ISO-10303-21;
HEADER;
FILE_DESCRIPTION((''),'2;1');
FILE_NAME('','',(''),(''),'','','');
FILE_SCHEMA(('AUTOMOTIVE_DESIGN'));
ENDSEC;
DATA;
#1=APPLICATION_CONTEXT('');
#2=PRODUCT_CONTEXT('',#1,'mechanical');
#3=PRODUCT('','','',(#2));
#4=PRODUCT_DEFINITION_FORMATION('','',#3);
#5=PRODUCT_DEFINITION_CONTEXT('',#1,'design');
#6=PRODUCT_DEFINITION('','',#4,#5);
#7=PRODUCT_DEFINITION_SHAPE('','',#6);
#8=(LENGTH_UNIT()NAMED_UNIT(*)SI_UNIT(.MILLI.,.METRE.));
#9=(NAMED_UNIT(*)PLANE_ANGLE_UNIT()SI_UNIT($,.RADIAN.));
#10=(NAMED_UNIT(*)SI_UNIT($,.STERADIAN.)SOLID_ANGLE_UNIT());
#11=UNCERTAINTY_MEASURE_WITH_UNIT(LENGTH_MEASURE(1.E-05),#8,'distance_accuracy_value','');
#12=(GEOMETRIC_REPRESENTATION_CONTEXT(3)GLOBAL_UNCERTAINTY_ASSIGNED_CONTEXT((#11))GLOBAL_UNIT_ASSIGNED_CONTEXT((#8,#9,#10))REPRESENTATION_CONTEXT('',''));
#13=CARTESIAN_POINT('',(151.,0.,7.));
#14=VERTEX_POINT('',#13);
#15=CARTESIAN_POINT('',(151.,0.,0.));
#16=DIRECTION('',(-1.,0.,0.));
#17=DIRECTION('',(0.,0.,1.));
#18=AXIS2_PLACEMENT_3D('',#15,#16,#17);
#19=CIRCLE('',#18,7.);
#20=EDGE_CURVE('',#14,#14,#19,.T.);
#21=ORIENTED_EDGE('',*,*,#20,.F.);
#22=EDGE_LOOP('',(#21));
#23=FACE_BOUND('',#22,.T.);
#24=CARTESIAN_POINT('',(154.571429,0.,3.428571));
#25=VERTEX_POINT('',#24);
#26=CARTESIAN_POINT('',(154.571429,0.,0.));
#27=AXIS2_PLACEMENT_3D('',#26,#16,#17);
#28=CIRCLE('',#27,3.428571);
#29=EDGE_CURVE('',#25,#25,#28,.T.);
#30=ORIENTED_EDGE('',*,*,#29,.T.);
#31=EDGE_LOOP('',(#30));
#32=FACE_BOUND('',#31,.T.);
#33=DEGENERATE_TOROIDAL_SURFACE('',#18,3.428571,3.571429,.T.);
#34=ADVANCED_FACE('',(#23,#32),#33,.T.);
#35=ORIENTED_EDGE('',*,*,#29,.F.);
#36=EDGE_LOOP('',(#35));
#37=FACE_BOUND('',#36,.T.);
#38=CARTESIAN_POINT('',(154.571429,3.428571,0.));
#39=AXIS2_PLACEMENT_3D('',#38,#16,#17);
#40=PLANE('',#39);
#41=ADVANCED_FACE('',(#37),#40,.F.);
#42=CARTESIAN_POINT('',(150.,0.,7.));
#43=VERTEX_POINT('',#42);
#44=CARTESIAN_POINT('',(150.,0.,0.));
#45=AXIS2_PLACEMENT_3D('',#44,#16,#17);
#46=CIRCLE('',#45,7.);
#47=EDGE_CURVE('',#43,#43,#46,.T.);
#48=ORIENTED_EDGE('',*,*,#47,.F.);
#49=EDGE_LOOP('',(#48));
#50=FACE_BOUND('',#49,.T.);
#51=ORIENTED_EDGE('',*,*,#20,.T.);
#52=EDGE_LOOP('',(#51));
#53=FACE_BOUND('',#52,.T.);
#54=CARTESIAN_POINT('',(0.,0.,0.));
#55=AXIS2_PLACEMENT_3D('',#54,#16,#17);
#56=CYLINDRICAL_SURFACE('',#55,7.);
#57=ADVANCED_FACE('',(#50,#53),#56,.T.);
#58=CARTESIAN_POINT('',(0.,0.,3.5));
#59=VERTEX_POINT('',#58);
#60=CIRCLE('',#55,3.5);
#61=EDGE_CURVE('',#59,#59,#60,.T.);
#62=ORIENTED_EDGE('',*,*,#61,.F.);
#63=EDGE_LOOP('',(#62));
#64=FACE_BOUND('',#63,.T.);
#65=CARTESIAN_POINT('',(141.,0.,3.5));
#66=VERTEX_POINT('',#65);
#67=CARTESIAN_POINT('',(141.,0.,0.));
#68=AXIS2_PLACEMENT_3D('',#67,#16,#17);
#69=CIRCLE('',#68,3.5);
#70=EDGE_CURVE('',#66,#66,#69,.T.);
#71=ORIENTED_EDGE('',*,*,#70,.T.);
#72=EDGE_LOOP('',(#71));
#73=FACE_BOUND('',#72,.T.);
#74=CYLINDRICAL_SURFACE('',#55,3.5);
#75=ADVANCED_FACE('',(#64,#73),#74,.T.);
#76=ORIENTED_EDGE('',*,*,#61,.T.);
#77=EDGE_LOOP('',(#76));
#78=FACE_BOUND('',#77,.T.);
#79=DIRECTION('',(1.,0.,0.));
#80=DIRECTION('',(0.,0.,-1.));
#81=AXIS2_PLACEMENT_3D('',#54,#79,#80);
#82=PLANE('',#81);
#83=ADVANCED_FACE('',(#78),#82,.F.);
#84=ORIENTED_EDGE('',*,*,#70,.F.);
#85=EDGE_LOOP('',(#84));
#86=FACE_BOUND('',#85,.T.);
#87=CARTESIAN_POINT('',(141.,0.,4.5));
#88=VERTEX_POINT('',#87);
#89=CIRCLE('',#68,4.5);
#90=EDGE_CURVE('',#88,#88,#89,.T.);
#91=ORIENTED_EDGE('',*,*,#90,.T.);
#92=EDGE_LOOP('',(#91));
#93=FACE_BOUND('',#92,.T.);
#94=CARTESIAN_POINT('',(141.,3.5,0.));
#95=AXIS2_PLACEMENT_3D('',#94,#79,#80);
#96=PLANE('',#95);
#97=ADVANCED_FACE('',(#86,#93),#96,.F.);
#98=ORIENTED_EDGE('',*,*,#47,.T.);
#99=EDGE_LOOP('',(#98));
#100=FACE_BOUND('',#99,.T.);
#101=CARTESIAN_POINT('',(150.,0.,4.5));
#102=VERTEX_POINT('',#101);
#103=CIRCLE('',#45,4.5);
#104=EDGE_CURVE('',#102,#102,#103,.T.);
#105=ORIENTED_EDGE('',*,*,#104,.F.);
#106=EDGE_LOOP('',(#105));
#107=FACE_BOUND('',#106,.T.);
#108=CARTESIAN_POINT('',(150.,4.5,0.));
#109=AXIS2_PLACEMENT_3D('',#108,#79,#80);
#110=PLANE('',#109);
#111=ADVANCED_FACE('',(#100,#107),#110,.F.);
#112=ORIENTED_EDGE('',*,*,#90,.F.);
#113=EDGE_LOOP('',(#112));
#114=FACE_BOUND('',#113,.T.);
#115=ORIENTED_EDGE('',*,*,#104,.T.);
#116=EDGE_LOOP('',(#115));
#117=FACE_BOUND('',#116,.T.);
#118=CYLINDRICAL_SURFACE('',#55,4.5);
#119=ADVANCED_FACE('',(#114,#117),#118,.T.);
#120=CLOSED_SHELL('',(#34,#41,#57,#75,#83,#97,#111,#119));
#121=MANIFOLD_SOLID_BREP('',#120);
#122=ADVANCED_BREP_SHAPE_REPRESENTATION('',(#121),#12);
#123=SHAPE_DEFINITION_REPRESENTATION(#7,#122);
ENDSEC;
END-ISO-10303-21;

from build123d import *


with BuildPart() as part:
    # Sketch1 → Revolve2 (revolve)
    with BuildSketch(Plane.XY, mode=Mode.PRIVATE) as revolve2_sk:
        with BuildLine():
            Line((0, 0), (152, 0))
            Line((152, 0), (154.571428571, 0))
            Line((154.571428571, 0), (154.571428571, 3.428571429))
            ThreePointArc((154.571428571, 3.428571429), (153.525381361, 5.95395279), (151, 7))
            Line((151, 7), (150, 7))
            Line((150, 7), (150, 4.5))
            Line((150, 4.5), (141, 4.5))
            Line((141, 4.5), (141, 3.5))
            Line((141, 3.5), (0, 3.5))
            Line((0, 3.5), (0, 0))
        make_face()
    revolve(revolve2_sk.sketch.rotate(Axis((0, 0, 0), (1, 0, 0)), 90), axis=Axis((0, 0, 0), (1, 0, 0)))


solid = part.part
